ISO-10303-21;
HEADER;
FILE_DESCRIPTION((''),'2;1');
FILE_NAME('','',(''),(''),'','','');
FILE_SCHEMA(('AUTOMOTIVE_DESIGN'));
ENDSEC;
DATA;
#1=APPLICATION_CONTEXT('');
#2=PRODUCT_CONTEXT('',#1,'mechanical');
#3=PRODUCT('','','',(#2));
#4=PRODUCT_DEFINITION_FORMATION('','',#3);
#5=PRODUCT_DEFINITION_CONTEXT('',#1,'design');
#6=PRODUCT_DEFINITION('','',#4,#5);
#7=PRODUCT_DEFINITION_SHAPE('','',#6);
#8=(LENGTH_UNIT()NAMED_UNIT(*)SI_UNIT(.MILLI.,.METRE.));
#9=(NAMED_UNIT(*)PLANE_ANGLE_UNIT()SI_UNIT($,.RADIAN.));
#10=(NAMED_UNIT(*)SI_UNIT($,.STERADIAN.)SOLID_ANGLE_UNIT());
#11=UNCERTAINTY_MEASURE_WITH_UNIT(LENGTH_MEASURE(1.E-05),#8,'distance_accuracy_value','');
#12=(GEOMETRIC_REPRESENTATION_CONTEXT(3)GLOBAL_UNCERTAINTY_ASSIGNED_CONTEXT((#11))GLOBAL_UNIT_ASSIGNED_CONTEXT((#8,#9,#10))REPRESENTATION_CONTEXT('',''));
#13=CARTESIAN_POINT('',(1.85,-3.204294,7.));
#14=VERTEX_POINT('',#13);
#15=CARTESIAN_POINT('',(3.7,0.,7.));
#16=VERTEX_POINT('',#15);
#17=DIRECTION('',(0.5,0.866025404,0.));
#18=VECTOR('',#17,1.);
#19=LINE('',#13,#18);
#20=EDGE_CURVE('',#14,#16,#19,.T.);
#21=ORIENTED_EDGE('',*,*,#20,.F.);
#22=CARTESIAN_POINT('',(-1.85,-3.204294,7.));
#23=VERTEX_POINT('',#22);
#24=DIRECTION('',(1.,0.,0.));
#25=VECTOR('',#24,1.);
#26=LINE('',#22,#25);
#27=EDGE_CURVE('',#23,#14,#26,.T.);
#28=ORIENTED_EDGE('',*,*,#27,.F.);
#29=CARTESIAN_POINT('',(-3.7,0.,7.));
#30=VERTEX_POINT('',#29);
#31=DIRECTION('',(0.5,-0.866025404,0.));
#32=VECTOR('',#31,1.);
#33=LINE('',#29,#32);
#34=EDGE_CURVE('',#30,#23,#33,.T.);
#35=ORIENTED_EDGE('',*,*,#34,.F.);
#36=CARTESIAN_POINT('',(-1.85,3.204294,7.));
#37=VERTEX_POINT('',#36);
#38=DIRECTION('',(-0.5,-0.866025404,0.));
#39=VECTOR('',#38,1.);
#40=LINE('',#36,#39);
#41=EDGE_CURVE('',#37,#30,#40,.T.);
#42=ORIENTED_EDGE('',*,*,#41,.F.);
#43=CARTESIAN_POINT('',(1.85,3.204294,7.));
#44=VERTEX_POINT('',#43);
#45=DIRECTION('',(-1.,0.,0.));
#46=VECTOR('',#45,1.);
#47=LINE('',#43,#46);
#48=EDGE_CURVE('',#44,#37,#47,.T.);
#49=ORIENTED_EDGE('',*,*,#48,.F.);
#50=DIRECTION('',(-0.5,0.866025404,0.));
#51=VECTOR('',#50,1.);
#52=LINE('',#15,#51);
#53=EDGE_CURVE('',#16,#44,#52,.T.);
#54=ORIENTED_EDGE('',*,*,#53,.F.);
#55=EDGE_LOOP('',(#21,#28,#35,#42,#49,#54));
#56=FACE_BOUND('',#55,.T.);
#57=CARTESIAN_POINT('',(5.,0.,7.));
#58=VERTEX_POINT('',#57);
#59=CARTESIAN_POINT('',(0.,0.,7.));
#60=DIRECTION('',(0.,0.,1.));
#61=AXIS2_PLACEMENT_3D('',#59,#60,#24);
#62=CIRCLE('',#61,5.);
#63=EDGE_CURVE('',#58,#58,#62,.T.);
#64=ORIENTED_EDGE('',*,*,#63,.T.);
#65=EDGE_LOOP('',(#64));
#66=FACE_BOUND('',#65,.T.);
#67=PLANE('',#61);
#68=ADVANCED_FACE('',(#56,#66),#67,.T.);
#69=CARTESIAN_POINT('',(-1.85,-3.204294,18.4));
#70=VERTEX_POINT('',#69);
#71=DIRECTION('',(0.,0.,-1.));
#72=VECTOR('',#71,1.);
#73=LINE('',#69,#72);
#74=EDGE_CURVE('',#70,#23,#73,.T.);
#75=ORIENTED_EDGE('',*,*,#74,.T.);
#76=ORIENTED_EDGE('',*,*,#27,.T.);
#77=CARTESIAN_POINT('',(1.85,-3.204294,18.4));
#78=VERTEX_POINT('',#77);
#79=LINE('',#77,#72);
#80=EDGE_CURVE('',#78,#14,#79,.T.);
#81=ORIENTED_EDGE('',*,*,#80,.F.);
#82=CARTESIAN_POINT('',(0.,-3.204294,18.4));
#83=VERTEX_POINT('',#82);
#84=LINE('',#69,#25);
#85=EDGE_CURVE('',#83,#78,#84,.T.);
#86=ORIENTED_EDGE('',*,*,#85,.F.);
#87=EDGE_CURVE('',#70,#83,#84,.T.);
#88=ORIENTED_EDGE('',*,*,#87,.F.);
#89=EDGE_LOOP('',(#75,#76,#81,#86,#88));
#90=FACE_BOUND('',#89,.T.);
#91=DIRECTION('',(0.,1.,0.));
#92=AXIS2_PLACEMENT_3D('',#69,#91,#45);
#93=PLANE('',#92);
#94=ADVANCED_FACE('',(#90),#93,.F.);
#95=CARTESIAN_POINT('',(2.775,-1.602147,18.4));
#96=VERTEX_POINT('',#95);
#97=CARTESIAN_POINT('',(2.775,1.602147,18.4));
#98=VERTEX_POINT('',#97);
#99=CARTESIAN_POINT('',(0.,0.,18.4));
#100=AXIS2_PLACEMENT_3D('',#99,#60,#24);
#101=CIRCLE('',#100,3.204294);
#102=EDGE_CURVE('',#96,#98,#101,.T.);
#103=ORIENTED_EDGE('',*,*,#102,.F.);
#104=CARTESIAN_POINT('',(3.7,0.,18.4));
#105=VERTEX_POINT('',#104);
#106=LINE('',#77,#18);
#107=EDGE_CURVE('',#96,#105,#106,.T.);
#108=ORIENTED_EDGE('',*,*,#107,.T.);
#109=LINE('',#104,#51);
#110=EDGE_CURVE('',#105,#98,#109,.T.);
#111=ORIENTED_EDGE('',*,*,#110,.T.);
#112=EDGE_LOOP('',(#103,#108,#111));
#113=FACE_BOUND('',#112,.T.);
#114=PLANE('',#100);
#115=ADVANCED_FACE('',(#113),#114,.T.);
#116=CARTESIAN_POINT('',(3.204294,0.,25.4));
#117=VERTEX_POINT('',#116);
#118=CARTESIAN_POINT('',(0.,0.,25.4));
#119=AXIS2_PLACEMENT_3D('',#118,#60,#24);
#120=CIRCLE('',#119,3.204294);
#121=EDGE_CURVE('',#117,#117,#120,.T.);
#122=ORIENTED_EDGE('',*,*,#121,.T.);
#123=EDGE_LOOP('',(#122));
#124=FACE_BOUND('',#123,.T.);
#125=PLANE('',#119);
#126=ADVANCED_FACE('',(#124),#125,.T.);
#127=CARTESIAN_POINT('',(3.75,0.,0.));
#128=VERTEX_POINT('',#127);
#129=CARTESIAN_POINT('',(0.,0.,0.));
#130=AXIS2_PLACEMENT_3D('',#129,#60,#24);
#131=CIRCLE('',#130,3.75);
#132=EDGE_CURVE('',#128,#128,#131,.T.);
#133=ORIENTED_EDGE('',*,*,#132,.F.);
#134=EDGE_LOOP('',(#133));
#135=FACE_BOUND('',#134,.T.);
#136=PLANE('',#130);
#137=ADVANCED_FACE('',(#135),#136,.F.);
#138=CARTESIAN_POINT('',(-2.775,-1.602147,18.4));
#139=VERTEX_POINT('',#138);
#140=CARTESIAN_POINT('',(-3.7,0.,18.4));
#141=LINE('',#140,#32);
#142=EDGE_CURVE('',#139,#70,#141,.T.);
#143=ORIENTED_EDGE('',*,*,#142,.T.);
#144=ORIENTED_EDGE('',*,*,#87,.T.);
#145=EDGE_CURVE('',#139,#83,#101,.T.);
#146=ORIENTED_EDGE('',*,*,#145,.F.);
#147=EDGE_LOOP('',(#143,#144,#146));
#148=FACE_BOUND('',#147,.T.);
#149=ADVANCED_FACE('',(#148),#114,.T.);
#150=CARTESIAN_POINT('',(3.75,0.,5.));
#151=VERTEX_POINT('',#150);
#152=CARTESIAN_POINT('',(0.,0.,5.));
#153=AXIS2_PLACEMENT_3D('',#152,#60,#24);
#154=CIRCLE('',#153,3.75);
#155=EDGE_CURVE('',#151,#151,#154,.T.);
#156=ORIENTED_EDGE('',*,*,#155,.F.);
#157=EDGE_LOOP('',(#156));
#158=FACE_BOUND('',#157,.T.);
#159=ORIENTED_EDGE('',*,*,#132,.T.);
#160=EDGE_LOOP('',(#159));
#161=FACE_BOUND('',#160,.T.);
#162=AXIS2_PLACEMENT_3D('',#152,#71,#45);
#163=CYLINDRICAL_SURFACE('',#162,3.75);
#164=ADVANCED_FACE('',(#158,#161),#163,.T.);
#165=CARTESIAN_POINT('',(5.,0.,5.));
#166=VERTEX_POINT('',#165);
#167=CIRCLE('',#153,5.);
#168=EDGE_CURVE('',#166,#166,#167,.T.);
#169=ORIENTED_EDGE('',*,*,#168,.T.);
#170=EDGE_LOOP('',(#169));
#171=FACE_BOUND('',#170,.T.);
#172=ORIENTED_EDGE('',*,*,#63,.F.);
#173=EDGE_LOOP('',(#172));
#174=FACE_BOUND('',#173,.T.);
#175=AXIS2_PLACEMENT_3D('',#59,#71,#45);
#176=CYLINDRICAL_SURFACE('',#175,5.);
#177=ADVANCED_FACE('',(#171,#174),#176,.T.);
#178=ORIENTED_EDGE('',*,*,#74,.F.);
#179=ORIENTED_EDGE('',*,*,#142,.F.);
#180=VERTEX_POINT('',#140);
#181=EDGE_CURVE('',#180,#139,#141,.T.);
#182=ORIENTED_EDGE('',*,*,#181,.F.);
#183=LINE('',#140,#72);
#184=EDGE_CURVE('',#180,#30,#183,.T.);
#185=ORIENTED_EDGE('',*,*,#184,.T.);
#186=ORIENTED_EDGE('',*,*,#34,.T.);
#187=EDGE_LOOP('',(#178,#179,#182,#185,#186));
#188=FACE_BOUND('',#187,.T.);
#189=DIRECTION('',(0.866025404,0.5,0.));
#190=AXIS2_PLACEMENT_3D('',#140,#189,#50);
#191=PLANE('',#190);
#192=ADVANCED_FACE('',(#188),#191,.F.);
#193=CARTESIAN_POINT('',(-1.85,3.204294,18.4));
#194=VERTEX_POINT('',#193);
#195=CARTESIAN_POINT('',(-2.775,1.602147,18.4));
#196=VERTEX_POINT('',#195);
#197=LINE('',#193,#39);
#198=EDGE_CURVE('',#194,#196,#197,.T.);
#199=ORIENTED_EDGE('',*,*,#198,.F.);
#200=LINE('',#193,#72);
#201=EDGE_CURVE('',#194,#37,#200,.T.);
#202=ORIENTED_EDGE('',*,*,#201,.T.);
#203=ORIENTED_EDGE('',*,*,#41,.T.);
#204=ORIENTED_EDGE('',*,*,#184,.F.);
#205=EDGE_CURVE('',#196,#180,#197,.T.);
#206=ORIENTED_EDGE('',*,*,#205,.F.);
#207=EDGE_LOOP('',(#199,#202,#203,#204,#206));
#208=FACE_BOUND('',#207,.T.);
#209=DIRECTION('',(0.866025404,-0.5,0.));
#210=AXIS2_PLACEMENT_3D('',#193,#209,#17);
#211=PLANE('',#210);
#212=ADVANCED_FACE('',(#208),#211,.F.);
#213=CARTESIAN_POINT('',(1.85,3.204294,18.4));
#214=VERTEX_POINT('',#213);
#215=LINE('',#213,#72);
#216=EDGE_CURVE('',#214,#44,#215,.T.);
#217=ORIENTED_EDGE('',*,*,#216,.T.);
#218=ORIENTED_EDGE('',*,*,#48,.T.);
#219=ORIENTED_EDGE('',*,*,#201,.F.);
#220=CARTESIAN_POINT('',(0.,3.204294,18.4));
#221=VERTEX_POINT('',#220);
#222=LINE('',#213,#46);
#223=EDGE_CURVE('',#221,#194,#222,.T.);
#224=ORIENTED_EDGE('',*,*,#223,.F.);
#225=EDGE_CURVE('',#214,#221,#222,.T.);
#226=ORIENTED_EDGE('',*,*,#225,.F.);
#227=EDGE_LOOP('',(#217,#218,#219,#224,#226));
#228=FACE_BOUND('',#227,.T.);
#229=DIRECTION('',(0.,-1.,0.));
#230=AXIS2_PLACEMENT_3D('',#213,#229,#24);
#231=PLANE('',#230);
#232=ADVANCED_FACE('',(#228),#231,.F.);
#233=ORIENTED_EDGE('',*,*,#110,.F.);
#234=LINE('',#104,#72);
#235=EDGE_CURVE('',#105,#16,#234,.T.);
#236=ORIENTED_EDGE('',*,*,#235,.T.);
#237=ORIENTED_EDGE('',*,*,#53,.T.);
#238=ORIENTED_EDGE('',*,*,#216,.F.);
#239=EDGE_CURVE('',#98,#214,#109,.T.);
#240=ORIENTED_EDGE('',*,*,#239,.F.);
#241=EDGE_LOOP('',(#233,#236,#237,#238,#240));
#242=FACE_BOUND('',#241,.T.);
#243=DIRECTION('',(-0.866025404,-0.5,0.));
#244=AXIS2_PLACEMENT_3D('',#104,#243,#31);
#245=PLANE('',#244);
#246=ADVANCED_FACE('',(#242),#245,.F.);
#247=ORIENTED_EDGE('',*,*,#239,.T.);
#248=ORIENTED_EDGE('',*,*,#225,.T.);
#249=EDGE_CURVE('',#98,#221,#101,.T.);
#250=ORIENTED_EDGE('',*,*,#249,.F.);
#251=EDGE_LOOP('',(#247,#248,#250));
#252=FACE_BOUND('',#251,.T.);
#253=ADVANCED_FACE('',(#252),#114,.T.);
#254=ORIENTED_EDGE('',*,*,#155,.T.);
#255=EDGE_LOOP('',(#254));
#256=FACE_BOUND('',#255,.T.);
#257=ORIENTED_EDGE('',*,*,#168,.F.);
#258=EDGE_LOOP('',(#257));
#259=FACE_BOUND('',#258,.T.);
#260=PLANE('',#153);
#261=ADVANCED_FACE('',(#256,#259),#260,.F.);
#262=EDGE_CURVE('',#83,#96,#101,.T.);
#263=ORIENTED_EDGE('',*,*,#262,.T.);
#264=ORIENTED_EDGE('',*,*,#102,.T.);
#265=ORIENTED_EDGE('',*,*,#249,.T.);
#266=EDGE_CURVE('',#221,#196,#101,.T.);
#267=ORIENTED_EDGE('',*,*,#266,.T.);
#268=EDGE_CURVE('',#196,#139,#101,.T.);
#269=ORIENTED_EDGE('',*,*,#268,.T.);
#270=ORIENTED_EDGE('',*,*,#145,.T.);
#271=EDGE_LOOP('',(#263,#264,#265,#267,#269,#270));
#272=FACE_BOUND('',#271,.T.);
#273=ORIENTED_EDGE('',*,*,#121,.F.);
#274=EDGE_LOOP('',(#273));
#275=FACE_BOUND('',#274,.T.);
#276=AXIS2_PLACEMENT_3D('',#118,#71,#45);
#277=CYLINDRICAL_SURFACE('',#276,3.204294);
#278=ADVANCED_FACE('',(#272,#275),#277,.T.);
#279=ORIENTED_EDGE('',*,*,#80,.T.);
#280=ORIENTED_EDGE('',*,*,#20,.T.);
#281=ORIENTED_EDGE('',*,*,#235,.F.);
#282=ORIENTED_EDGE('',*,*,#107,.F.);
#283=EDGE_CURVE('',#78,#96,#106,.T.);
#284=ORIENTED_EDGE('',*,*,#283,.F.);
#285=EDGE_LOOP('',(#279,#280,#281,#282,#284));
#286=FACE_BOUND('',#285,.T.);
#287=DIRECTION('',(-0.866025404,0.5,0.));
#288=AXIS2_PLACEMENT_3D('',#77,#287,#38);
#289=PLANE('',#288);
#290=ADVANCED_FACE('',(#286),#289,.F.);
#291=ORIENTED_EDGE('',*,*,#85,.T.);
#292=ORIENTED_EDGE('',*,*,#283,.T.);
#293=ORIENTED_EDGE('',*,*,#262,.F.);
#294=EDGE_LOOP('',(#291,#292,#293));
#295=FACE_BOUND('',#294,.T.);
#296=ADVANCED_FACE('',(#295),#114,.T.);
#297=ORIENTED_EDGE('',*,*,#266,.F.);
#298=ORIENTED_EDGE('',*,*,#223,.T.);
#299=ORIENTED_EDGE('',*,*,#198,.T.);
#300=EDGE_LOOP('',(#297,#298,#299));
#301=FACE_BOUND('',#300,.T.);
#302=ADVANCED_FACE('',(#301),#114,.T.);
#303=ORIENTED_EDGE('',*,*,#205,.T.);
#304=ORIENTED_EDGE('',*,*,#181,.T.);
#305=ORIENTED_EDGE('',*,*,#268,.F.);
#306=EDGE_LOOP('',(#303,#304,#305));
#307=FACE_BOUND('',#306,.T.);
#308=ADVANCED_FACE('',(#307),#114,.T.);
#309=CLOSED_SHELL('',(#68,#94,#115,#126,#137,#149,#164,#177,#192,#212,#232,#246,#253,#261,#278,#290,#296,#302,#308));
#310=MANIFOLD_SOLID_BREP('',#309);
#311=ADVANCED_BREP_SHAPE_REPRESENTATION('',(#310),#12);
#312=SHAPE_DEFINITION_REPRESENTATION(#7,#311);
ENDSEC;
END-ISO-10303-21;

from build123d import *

# Parameters (mm, degrees)
SKETCH1_R           = 3.75
BOSS_EXTRUDE1_DEPTH = 5
SKETCH2_R           = 5
BOSS_EXTRUDE2_DEPTH = 2
BOSS_EXTRUDE3_DEPTH = 11.4
SKETCH4_R           = 3.204293994
BOSS_EXTRUDE4_DEPTH = 7


with BuildPart() as part:
    # Sketch1 → Boss-Extrude1 (new body)
    with BuildSketch(Plane.XY):
        Circle(SKETCH1_R)
    extrude(amount=BOSS_EXTRUDE1_DEPTH)

    # Sketch2 → Boss-Extrude2 (add)
    with BuildSketch(Plane.XY.offset(5)):
        Circle(SKETCH2_R)
    extrude(amount=BOSS_EXTRUDE2_DEPTH)

    # Sketch3 → Boss-Extrude3 (add)
    with BuildSketch(Plane.XY.offset(7)):
        Polygon((3.7, 0), (1.85, 3.204293994), (-1.85, 3.204293994), (-3.7, 0), (-1.85, -3.204293994), (1.85, -3.204293994), align=None)
    extrude(amount=BOSS_EXTRUDE3_DEPTH)

    # Sketch4 → Boss-Extrude4 (add)
    with BuildSketch(Plane.XY.offset(18.4)):
        Circle(SKETCH4_R)
    extrude(amount=BOSS_EXTRUDE4_DEPTH)


solid = part.part
